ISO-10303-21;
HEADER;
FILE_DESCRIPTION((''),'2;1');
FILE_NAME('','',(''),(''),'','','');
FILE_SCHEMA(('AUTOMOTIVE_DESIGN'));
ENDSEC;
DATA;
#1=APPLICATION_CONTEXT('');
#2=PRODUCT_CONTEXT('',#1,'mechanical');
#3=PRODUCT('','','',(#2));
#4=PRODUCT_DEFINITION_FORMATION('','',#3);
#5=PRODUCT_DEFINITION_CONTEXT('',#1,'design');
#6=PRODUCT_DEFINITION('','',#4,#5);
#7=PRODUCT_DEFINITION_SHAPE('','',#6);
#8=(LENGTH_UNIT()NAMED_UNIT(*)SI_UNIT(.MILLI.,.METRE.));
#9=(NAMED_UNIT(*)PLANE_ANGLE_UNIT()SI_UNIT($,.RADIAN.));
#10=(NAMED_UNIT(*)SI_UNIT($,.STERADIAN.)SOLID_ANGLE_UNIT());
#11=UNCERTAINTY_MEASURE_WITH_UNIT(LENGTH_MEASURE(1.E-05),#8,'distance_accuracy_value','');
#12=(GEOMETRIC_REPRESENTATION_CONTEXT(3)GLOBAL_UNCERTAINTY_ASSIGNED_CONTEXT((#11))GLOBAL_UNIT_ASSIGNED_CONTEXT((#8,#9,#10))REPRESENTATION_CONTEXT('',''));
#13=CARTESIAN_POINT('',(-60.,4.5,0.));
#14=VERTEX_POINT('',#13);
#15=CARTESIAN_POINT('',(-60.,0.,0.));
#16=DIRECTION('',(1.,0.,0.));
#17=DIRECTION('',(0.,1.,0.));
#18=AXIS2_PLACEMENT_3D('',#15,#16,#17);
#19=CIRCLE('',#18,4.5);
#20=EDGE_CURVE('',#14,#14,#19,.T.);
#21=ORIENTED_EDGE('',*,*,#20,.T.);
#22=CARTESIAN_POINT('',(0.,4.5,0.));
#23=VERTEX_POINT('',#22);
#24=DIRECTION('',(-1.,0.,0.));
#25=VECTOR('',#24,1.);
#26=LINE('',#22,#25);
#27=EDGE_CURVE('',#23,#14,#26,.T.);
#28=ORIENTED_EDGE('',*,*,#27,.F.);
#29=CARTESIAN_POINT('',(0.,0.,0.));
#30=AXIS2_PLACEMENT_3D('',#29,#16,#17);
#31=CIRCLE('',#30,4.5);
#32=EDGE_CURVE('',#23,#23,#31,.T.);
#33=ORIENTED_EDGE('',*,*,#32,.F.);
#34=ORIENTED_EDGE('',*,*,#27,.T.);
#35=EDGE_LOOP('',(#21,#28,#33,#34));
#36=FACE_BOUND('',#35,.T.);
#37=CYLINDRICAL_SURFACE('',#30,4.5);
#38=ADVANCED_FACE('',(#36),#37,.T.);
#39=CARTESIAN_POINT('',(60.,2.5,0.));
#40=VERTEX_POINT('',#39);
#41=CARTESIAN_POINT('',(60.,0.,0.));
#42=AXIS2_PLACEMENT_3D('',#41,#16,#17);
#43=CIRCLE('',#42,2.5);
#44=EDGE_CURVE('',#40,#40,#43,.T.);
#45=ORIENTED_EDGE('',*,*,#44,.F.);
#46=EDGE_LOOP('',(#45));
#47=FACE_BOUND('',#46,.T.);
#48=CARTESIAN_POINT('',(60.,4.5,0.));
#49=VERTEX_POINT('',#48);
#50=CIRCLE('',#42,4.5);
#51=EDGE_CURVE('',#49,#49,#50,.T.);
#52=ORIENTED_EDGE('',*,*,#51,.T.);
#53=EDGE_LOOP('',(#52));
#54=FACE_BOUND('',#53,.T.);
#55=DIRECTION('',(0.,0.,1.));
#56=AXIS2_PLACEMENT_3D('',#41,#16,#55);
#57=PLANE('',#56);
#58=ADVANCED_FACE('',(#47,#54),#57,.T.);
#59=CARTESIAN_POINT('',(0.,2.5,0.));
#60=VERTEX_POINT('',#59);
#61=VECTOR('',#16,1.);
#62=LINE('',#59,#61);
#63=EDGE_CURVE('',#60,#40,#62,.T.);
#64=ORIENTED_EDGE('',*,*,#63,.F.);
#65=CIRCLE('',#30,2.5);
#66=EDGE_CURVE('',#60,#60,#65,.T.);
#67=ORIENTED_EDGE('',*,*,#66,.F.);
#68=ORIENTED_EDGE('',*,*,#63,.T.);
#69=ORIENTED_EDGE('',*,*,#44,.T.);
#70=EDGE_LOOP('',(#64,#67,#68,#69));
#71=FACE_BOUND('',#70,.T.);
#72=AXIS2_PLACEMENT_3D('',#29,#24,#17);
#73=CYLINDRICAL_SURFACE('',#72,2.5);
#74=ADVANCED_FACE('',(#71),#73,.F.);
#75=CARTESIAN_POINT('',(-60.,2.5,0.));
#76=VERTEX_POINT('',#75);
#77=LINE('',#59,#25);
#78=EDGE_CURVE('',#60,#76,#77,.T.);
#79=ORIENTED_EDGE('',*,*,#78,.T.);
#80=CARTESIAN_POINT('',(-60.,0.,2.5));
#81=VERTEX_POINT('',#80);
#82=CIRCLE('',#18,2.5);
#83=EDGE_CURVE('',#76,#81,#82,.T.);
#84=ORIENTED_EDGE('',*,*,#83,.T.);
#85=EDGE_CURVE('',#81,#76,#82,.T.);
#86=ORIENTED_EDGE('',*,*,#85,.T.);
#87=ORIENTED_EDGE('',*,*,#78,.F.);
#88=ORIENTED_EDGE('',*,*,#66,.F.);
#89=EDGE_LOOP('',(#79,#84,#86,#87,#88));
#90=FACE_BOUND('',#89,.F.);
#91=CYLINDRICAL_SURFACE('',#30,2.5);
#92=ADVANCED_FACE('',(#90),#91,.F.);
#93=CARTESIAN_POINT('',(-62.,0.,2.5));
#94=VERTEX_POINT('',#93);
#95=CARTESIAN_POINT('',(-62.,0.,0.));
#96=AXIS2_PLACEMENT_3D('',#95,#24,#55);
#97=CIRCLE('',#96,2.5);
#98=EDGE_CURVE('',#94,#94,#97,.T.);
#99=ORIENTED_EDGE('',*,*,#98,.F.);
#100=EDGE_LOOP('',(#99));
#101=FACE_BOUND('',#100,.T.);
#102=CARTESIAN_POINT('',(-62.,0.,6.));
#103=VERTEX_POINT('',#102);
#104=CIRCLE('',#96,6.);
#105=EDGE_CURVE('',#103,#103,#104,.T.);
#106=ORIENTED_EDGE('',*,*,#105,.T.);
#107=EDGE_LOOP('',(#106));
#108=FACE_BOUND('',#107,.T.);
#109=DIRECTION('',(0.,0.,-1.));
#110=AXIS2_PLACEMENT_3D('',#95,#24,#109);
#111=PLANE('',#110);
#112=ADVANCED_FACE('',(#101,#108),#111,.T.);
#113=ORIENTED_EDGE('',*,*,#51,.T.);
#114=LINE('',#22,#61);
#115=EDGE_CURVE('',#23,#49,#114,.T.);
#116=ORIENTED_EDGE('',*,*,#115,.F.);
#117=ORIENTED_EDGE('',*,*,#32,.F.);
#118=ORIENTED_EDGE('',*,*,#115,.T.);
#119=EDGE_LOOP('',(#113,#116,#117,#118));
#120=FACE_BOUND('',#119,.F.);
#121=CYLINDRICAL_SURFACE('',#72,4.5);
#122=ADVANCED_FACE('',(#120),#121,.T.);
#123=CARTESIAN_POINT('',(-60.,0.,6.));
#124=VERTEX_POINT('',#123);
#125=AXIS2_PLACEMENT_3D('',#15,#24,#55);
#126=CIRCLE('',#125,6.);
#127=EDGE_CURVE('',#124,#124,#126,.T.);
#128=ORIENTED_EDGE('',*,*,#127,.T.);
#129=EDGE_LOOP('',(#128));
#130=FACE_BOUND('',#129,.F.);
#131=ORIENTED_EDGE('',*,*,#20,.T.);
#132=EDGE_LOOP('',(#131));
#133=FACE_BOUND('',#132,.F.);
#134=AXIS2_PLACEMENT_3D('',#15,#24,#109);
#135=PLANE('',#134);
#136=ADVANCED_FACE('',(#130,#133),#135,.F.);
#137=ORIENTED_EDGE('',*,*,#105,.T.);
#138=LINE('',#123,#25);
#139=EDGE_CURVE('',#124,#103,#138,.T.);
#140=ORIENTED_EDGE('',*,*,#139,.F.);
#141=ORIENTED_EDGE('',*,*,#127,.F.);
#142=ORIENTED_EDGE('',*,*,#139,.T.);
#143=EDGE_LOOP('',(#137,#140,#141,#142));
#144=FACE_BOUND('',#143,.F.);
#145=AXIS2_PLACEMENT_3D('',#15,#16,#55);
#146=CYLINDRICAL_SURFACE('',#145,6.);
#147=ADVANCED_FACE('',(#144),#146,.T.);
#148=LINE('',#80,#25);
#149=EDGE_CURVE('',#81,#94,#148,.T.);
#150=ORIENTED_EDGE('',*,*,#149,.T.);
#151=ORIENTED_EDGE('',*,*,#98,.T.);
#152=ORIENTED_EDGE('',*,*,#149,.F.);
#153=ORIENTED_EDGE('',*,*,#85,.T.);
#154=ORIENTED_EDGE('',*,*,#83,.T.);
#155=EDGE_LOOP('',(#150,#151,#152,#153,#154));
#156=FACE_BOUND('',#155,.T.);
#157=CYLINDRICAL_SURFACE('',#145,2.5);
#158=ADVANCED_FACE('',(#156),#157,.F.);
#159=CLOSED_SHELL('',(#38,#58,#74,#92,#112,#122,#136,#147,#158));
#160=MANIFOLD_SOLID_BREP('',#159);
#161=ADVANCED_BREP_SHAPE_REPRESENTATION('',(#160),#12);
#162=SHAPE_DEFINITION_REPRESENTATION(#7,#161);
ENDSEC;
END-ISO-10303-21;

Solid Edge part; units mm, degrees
sketch "Sketch1" plane through (0, 0, 0) normal (1, 0, 0) x (0, 1, 0)
  circle A0 centre (0, 0) radius 4.5
  circle A1 centre (0, 0) radius 2.5
extrude "Protrusion1" add sketch "Sketch1" along normal mid plane 120
sketch "Sketch2" plane through (-60, 0, 0) normal (-1, 0, 0) x (0, 0, 1)
  circle A0 centre (0, 0) radius 2.5
  circle A1 centre (0, 0) radius 6
extrude "Wyciągnięcie_2" add sketch "Sketch2" along normal blind 2
